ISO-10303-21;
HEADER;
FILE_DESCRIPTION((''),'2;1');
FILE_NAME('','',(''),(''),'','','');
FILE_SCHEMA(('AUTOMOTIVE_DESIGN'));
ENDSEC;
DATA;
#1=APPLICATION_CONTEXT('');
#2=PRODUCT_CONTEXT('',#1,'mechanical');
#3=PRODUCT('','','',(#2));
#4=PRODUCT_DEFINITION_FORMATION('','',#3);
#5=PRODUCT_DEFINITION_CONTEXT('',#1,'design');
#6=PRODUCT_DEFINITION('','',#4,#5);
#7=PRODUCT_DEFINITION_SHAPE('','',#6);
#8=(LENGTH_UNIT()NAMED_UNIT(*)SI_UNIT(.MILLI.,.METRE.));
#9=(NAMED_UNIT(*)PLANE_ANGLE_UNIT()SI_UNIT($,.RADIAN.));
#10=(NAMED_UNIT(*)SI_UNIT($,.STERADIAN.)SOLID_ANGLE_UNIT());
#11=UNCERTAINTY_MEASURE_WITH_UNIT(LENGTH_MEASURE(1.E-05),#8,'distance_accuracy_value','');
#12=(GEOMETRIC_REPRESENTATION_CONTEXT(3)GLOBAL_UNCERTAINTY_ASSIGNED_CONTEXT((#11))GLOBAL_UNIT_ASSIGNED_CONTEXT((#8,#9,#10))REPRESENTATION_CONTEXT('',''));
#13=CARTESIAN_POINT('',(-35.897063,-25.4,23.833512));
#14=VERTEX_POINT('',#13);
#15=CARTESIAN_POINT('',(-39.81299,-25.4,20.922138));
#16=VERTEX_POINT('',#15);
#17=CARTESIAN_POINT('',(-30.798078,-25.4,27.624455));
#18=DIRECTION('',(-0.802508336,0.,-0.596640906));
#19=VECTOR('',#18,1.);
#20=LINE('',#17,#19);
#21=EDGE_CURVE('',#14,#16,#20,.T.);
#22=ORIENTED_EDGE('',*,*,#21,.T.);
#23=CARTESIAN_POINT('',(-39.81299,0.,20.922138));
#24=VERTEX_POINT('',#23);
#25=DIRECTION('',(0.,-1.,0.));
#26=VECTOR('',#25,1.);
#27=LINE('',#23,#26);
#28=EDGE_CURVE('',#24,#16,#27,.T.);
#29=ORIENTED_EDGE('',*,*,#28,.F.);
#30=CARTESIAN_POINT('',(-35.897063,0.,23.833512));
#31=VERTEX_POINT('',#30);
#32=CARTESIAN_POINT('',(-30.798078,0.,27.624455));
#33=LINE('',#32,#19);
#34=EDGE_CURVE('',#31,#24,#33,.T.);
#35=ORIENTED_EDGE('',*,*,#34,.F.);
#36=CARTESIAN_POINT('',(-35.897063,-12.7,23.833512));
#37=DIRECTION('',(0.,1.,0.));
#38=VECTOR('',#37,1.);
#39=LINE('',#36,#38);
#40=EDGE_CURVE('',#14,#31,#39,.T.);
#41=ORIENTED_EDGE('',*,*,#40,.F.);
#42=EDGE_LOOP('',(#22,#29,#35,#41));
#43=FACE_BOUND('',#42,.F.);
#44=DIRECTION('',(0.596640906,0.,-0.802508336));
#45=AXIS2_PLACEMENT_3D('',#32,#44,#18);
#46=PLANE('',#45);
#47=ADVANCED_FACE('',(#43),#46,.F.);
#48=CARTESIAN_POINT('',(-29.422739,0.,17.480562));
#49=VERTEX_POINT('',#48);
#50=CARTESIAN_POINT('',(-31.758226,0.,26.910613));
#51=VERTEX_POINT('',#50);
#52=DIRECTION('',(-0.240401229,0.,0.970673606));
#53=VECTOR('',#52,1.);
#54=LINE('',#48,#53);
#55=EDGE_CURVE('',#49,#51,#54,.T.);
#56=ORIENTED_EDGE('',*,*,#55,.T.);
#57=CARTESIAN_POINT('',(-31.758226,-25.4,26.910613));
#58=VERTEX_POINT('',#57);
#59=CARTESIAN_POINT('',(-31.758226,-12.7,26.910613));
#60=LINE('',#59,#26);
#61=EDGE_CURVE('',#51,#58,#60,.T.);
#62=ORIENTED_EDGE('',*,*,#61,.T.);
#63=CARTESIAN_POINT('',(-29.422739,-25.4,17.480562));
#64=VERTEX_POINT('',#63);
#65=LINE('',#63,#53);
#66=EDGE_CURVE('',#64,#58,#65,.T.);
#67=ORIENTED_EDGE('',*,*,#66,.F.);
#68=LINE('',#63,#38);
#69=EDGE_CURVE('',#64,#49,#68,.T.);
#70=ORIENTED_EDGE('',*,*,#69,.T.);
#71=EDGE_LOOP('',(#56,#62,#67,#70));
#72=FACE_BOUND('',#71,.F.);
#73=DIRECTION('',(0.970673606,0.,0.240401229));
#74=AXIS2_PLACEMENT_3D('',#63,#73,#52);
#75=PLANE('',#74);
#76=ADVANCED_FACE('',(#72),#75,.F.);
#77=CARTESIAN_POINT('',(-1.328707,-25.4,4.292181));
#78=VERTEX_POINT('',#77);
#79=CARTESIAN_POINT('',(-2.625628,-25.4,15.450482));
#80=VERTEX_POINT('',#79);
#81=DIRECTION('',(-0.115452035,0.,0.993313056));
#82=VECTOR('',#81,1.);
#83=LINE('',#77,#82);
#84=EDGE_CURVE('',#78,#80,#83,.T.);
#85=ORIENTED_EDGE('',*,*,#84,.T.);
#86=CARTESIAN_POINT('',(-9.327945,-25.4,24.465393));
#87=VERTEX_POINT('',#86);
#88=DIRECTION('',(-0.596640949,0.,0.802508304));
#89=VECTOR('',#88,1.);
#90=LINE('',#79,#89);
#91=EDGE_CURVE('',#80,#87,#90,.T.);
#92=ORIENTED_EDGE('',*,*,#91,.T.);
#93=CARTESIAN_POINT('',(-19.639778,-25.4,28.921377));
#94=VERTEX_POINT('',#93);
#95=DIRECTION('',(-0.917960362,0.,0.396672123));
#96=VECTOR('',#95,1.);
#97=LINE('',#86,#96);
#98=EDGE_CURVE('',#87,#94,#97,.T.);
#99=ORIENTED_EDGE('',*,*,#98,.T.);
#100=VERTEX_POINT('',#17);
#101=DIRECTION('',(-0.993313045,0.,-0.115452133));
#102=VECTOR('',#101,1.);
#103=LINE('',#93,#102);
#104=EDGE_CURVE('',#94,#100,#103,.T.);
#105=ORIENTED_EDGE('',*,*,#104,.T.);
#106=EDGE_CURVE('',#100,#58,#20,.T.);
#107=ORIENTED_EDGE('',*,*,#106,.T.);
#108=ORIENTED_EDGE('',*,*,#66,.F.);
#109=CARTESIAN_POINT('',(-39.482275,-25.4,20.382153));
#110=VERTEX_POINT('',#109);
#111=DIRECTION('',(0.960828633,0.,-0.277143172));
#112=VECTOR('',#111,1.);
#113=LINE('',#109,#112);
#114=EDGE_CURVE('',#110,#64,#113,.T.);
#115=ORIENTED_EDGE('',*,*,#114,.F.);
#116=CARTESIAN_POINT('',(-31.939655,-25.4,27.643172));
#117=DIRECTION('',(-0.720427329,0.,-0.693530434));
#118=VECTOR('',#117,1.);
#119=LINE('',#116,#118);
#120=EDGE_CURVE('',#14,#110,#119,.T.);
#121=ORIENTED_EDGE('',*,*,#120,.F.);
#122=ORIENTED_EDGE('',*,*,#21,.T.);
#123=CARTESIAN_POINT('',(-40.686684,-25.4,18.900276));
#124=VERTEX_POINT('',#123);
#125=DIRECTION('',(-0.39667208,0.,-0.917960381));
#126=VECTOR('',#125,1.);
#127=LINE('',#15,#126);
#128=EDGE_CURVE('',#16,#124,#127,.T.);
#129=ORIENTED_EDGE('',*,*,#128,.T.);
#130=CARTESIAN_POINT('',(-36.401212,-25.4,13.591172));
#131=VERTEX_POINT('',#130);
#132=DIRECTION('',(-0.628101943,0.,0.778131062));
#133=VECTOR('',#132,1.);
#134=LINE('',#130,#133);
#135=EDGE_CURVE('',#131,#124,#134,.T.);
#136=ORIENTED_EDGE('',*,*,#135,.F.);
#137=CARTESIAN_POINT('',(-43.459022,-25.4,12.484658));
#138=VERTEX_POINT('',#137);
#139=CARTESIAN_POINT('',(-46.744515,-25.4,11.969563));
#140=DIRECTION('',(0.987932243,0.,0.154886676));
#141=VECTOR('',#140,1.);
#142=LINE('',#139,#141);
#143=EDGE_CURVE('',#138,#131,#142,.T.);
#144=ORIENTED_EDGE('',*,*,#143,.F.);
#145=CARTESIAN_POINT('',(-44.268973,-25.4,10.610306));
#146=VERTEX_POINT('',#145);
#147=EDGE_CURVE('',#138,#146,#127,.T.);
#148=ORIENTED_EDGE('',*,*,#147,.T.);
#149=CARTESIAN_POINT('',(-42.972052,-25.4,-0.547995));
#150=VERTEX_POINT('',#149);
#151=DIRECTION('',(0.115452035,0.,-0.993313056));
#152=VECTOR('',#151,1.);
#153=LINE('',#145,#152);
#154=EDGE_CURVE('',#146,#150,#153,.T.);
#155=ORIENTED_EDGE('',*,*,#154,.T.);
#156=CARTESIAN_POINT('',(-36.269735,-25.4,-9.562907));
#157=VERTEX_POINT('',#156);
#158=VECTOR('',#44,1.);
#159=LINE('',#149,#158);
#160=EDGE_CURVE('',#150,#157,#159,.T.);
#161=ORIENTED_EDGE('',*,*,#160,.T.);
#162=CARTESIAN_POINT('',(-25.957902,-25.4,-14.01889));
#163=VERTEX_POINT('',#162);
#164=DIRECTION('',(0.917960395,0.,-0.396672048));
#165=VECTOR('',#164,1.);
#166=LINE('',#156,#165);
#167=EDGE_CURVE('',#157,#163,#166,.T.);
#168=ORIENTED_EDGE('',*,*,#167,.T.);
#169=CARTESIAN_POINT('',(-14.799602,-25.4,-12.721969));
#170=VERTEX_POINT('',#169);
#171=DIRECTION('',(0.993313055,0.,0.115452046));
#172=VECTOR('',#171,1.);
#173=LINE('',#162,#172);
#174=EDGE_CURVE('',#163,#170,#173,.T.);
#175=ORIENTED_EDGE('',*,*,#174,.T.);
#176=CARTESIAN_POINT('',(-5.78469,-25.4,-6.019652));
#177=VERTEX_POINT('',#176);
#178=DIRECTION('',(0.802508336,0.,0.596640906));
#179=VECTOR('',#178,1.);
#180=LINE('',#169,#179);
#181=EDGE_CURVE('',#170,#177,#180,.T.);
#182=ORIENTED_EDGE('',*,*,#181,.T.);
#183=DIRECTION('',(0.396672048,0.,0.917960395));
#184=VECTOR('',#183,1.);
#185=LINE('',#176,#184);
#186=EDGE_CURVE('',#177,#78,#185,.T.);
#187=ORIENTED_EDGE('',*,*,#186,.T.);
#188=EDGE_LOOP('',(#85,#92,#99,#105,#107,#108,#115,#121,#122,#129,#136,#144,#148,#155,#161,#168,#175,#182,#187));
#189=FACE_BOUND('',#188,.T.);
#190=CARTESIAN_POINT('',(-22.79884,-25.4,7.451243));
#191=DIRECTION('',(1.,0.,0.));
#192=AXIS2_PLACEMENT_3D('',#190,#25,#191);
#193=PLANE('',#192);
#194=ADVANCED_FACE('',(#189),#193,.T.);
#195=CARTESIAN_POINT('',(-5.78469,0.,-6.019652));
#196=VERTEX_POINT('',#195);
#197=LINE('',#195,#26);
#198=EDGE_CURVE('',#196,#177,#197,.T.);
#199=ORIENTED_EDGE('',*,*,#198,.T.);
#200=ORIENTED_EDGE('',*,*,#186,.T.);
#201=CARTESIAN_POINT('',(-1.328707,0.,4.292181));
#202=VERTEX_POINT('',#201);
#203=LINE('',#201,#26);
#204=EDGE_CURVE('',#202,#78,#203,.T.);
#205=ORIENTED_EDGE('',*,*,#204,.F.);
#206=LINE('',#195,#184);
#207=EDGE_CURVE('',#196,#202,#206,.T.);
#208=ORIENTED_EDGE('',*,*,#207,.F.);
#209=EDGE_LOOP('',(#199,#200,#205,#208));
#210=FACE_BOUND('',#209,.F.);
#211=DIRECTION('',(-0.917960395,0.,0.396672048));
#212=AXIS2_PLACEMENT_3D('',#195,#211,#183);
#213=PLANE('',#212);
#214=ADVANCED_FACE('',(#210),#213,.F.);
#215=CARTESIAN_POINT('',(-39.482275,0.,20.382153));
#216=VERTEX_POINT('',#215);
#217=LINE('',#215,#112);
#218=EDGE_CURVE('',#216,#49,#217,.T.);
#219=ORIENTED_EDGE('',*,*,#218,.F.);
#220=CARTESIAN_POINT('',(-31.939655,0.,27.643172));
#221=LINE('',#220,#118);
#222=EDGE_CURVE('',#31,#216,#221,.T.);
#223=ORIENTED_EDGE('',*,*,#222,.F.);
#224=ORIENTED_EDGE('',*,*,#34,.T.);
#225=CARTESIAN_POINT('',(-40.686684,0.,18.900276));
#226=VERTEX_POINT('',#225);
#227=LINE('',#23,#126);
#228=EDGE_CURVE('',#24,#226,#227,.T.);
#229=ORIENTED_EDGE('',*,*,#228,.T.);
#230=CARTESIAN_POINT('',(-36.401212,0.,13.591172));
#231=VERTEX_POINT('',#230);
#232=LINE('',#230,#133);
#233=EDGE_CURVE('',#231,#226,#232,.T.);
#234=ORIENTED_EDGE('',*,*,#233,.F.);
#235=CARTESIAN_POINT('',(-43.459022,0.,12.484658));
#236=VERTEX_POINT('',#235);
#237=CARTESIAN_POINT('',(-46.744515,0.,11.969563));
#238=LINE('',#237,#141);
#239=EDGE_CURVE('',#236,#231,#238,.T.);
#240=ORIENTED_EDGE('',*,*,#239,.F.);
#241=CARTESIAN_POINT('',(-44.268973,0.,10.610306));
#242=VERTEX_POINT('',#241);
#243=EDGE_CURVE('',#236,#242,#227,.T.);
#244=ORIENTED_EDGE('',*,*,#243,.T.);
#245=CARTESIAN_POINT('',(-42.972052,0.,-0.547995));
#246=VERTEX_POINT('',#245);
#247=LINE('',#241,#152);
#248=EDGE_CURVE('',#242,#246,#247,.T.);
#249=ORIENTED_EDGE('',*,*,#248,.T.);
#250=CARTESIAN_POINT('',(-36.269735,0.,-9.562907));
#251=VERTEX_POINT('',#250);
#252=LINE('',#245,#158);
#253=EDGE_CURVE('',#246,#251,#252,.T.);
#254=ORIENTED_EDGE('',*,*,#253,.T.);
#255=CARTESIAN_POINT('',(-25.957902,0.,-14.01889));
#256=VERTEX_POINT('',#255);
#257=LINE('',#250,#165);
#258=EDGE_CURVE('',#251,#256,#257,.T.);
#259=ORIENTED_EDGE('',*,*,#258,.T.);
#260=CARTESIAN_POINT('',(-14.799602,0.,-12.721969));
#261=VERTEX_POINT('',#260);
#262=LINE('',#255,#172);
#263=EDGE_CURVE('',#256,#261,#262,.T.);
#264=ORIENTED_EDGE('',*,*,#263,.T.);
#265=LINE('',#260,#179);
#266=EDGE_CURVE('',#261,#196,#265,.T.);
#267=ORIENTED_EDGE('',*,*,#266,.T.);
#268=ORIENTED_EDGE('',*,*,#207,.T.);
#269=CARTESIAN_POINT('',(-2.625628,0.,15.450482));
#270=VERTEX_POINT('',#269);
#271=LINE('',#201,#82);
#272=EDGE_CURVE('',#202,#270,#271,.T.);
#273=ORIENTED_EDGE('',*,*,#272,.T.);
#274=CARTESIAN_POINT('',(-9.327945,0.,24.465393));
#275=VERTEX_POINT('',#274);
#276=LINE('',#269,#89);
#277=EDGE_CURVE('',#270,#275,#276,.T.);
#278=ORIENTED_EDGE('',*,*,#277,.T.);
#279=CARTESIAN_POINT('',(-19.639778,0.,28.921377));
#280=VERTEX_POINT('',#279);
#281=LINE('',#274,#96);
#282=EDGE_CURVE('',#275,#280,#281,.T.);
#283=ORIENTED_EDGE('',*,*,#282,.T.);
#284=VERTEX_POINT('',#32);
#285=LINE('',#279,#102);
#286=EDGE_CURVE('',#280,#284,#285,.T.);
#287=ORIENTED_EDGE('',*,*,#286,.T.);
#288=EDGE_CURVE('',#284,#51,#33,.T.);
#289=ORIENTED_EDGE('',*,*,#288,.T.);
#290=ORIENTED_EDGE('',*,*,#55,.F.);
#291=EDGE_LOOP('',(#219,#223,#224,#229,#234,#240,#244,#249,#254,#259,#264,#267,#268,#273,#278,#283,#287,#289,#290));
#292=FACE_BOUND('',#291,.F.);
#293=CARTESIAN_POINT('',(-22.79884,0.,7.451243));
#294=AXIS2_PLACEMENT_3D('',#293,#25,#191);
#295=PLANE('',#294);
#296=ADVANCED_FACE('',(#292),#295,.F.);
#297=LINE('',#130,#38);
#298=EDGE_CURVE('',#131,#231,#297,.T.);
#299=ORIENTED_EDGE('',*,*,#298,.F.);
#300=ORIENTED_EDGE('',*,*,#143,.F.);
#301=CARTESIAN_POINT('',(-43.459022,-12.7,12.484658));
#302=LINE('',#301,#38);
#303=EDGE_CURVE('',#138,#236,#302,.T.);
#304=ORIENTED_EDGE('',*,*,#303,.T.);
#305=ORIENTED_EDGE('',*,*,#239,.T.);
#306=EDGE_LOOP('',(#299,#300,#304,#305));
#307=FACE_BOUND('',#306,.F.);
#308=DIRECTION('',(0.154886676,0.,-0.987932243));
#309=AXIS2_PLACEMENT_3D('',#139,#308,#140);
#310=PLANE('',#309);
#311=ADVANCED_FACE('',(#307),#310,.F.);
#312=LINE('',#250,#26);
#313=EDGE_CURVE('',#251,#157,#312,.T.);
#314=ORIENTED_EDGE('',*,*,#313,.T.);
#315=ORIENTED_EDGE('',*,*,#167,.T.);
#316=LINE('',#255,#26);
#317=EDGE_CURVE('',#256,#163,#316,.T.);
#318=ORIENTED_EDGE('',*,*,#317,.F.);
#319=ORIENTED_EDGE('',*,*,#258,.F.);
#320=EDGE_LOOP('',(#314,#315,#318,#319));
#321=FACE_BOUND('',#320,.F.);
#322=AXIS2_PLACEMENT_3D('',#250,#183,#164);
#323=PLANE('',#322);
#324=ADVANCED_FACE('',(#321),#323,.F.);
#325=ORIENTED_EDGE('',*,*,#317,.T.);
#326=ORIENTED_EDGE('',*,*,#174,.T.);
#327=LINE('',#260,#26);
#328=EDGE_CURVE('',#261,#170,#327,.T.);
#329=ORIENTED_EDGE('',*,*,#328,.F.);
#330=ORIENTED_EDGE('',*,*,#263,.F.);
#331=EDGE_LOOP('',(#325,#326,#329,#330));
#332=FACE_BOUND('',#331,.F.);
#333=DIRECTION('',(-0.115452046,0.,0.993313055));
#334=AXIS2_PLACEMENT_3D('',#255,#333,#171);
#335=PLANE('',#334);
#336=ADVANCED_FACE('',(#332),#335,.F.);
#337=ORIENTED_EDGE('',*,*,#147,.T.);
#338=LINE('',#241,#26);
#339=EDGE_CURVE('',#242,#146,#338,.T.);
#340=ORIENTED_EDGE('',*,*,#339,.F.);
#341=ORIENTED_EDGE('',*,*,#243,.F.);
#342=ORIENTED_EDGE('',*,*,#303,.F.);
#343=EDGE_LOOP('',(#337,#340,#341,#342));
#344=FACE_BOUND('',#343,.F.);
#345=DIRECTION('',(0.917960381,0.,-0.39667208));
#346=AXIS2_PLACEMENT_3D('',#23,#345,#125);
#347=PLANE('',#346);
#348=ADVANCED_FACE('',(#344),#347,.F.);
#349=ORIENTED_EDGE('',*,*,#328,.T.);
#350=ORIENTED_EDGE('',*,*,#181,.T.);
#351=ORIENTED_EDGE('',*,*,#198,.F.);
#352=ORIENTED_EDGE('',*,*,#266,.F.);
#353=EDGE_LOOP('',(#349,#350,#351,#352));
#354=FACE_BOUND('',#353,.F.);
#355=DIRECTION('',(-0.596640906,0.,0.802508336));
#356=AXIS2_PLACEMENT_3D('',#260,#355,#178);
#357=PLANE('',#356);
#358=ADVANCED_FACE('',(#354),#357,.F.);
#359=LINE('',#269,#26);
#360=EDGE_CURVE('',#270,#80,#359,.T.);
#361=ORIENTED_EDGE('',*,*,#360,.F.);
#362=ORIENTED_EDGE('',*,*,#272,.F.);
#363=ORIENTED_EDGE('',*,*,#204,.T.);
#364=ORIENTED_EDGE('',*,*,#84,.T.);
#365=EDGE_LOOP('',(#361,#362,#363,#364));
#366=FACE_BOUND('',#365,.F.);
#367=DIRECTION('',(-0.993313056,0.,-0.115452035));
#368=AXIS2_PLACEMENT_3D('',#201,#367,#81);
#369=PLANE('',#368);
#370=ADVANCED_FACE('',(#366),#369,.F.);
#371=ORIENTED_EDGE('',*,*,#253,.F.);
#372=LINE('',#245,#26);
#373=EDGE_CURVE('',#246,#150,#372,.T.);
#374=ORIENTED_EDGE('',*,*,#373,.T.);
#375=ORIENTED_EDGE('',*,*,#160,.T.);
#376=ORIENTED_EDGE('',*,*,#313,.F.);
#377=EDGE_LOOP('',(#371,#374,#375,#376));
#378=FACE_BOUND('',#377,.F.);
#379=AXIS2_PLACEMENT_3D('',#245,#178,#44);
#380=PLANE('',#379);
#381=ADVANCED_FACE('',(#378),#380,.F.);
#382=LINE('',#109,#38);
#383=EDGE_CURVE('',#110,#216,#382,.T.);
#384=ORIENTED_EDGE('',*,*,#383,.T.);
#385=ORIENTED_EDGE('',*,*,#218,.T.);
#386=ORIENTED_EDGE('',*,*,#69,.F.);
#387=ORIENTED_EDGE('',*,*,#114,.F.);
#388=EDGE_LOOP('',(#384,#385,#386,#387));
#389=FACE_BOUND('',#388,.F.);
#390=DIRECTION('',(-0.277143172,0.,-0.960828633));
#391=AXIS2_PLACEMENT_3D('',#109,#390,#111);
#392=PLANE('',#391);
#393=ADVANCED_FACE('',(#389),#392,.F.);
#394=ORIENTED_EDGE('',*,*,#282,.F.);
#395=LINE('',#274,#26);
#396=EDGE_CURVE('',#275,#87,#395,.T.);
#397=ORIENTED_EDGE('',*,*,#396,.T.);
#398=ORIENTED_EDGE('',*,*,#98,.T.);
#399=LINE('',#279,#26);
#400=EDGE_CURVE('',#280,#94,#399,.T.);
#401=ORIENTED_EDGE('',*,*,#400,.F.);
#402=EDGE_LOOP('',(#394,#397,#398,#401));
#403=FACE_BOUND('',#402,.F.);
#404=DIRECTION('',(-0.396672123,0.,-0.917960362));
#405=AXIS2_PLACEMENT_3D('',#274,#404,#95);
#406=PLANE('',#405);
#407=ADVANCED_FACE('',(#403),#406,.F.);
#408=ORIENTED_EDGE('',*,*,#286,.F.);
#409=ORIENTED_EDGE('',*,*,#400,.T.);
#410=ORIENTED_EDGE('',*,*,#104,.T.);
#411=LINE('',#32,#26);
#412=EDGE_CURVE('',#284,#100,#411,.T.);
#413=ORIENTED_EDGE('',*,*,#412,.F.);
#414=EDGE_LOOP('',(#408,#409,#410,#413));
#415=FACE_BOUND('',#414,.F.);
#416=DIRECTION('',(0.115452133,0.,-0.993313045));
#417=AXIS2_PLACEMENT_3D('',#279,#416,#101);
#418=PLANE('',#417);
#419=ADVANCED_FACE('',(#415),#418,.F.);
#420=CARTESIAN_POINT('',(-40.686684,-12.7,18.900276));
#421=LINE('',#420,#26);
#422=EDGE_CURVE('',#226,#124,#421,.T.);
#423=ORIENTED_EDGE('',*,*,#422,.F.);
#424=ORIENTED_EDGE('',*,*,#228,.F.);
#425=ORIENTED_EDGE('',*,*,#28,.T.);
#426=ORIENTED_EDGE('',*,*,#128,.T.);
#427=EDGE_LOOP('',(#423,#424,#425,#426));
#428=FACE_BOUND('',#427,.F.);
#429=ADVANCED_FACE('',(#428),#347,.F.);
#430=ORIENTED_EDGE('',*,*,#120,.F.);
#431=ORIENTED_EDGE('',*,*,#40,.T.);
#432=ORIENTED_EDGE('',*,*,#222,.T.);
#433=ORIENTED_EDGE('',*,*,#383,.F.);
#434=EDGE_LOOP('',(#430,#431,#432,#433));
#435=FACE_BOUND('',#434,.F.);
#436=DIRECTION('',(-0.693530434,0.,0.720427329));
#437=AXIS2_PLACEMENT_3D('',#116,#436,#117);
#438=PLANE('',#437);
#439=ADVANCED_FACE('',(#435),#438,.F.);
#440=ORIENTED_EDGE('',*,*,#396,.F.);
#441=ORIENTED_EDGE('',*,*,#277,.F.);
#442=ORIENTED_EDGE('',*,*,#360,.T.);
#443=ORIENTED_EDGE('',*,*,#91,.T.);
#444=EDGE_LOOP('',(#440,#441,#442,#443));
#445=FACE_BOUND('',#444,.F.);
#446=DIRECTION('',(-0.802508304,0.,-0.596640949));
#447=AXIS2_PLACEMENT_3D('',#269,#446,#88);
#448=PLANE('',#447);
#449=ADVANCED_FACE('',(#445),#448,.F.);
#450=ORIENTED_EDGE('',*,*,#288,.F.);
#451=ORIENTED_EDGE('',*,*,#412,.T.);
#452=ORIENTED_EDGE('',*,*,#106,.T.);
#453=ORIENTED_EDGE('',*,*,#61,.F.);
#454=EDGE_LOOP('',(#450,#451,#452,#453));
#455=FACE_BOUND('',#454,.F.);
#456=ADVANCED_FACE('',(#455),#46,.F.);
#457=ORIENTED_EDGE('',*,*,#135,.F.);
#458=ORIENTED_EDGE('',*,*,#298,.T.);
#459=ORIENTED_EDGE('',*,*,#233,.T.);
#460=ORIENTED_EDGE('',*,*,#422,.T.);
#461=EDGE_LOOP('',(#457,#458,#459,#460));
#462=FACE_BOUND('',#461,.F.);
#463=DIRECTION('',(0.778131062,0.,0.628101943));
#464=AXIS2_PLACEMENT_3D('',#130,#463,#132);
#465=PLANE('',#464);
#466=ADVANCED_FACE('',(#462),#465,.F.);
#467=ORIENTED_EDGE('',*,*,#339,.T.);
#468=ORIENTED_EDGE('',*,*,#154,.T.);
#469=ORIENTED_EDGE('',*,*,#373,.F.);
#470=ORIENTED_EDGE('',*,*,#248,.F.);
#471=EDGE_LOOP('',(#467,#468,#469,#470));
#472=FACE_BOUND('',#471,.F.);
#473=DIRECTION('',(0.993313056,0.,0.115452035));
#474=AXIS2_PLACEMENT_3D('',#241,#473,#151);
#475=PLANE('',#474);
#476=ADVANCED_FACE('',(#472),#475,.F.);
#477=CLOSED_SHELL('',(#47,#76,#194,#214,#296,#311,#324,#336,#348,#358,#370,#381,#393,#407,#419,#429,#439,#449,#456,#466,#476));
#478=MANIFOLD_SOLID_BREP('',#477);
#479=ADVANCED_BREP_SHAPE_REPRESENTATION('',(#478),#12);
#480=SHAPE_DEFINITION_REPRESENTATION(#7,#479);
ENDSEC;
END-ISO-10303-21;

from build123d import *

# Parameters (mm, degrees)
F1_DEPTH = 25.4
F3_DEPTH = 25.4
F5_DEPTH = 25.4


with BuildPart() as f1:
    # F0 (on Front) → F1 (new body)
    with BuildSketch(Plane.XZ):
        Polygon((-2.625628, 15.450482), (-9.327945, 24.465393), (-19.639778, 28.921377), (-30.798078, 27.624455), (-39.81299, 20.922138), (-44.268973, 10.610306), (-42.972052, -0.547995), (-36.269735, -9.562907), (-25.957902, -14.01889), (-14.799602, -12.721969), (-5.78469, -6.019652), (-1.328707, 4.292181), align=None)
    extrude(amount=F1_DEPTH)

    # F2 (on face) → F3 (cut)
    with BuildSketch(Plane.XZ.offset(25.4)):
        Polygon((-42.977218, 21.73793), (-46.744515, 11.969563), (-36.401212, 13.591172), align=None)
    extrude(amount=-F3_DEPTH, mode=Mode.SUBTRACT)

    # F4 (on face) → F5 (cut)
    with BuildSketch(Plane.XZ.offset(25.4)):
        Polygon((-31.939655, 27.643172), (-39.482275, 20.382153), (-29.422739, 17.480562), align=None)
    extrude(amount=-F5_DEPTH, mode=Mode.SUBTRACT)


solid = f1.part
